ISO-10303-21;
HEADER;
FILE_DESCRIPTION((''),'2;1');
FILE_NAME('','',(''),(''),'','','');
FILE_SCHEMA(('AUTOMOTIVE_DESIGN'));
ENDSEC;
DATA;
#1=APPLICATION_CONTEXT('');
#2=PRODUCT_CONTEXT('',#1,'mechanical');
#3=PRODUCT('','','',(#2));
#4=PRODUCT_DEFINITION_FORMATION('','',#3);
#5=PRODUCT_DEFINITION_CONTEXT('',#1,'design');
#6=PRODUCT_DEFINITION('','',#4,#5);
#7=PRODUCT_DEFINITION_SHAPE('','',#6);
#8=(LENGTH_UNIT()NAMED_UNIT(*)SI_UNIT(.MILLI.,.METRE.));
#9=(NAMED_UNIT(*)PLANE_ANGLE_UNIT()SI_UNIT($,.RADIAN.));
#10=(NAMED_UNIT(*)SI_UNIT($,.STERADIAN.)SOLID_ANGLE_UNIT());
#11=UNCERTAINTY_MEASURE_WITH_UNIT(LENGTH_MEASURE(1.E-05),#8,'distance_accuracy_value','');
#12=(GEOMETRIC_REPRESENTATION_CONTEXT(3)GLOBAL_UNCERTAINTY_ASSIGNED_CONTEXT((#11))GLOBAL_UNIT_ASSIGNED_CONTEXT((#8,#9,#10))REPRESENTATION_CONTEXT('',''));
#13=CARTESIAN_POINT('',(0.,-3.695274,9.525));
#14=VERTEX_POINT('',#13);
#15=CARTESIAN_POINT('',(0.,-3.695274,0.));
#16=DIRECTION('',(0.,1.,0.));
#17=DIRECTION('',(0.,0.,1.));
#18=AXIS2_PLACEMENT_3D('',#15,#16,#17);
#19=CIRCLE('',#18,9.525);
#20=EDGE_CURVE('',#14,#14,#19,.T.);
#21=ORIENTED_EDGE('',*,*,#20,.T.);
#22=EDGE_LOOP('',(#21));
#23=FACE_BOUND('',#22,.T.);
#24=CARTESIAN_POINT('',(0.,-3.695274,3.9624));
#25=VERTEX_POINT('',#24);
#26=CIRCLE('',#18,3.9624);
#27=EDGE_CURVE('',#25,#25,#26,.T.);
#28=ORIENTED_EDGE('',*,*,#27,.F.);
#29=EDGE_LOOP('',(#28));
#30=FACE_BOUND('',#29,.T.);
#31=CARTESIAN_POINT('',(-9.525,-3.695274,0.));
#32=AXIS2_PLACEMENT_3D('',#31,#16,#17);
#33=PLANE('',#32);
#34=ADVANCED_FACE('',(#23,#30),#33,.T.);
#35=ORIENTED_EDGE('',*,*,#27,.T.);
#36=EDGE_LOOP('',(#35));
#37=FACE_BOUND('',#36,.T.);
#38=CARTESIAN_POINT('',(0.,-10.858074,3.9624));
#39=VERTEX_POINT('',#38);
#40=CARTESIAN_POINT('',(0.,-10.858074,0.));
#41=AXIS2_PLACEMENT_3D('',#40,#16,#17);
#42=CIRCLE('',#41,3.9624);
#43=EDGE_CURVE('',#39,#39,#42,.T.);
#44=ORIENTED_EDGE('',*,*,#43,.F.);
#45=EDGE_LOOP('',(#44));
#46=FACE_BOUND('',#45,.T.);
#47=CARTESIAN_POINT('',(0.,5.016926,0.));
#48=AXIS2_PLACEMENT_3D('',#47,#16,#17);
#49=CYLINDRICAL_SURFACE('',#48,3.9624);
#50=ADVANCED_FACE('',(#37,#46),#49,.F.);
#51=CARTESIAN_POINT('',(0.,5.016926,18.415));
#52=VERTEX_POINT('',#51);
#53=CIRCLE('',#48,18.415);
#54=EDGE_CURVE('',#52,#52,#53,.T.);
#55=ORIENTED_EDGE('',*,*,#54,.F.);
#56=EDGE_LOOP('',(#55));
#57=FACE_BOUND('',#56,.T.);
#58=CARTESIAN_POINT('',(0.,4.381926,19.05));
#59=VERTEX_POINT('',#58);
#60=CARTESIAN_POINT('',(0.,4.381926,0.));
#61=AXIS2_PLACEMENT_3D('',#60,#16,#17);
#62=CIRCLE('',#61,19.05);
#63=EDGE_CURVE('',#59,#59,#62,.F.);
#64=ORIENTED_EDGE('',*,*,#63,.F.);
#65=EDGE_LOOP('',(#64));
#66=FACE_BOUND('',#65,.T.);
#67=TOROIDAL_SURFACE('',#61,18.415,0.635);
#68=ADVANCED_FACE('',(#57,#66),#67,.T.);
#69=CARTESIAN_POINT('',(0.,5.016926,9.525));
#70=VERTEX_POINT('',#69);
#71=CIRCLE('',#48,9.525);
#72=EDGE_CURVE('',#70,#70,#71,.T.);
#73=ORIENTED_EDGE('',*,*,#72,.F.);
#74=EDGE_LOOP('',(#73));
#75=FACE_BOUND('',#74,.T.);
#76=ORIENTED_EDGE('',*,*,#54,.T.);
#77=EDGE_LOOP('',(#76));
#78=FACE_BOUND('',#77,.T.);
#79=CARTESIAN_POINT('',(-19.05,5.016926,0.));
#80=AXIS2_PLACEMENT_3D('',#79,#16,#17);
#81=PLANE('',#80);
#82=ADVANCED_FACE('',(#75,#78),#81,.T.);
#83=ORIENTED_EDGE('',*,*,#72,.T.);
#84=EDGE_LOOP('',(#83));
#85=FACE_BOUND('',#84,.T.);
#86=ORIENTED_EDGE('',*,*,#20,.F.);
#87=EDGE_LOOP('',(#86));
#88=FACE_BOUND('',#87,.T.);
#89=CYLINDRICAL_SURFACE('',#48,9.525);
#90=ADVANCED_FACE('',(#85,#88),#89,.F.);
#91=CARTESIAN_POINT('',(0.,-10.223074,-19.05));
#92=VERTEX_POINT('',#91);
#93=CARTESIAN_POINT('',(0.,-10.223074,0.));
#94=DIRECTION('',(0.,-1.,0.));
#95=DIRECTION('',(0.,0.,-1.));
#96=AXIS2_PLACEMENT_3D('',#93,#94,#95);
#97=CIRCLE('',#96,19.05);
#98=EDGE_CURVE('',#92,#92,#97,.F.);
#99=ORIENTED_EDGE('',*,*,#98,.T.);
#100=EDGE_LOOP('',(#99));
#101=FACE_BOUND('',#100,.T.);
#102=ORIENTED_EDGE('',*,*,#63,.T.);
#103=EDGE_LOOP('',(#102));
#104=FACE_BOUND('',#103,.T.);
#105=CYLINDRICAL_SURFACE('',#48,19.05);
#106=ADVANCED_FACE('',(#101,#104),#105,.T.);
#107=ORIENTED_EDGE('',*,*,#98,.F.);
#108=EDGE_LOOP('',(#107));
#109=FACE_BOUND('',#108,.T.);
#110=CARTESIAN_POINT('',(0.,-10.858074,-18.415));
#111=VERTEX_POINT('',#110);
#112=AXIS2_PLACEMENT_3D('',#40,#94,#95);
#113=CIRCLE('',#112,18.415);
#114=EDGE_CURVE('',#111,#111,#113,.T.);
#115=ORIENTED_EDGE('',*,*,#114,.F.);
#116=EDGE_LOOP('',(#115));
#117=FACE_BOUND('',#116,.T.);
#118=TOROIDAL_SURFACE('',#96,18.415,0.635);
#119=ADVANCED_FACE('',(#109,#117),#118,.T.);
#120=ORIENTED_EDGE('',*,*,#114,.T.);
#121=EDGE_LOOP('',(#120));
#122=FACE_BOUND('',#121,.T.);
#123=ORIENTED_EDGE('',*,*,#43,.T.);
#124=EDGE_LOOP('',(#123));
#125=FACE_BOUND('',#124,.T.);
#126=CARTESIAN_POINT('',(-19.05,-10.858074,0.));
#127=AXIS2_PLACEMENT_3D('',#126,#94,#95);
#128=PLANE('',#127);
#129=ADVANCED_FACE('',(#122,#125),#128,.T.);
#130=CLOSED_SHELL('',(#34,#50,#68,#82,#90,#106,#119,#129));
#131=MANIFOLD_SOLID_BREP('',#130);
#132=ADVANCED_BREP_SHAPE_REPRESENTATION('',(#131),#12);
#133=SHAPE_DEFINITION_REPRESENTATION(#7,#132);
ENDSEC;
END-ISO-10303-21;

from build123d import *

# Parameters (mm, degrees)
FILLET1_R = 0.635


with BuildPart() as part:
    # Sketch1 → Revolve1 (revolve)
    with BuildSketch(Plane.XY, mode=Mode.PRIVATE) as revolve1_sk:
        Polygon((-19.05, 5.016926272), (-19.05, -10.858073728), (-3.9624, -10.858073728), (-3.9624, -3.695273728), (-9.525, -3.695273728), (-9.525, 5.016926272), align=None)
    revolve(revolve1_sk.sketch.rotate(Axis((0, 5.016926272, 0), (0, -1, 0)), 270), axis=Axis((0, 5.016926272, 0), (0, -1, 0)))

    # Fillet1
    fillet1_edges = [part.edges().sort_by_distance(p)[0] for p in [
        (0, 5.016926272, -19.05),
        (0, -10.858073728, -19.05),
    ]]
    fillet(fillet1_edges, radius=FILLET1_R)


solid = part.part
